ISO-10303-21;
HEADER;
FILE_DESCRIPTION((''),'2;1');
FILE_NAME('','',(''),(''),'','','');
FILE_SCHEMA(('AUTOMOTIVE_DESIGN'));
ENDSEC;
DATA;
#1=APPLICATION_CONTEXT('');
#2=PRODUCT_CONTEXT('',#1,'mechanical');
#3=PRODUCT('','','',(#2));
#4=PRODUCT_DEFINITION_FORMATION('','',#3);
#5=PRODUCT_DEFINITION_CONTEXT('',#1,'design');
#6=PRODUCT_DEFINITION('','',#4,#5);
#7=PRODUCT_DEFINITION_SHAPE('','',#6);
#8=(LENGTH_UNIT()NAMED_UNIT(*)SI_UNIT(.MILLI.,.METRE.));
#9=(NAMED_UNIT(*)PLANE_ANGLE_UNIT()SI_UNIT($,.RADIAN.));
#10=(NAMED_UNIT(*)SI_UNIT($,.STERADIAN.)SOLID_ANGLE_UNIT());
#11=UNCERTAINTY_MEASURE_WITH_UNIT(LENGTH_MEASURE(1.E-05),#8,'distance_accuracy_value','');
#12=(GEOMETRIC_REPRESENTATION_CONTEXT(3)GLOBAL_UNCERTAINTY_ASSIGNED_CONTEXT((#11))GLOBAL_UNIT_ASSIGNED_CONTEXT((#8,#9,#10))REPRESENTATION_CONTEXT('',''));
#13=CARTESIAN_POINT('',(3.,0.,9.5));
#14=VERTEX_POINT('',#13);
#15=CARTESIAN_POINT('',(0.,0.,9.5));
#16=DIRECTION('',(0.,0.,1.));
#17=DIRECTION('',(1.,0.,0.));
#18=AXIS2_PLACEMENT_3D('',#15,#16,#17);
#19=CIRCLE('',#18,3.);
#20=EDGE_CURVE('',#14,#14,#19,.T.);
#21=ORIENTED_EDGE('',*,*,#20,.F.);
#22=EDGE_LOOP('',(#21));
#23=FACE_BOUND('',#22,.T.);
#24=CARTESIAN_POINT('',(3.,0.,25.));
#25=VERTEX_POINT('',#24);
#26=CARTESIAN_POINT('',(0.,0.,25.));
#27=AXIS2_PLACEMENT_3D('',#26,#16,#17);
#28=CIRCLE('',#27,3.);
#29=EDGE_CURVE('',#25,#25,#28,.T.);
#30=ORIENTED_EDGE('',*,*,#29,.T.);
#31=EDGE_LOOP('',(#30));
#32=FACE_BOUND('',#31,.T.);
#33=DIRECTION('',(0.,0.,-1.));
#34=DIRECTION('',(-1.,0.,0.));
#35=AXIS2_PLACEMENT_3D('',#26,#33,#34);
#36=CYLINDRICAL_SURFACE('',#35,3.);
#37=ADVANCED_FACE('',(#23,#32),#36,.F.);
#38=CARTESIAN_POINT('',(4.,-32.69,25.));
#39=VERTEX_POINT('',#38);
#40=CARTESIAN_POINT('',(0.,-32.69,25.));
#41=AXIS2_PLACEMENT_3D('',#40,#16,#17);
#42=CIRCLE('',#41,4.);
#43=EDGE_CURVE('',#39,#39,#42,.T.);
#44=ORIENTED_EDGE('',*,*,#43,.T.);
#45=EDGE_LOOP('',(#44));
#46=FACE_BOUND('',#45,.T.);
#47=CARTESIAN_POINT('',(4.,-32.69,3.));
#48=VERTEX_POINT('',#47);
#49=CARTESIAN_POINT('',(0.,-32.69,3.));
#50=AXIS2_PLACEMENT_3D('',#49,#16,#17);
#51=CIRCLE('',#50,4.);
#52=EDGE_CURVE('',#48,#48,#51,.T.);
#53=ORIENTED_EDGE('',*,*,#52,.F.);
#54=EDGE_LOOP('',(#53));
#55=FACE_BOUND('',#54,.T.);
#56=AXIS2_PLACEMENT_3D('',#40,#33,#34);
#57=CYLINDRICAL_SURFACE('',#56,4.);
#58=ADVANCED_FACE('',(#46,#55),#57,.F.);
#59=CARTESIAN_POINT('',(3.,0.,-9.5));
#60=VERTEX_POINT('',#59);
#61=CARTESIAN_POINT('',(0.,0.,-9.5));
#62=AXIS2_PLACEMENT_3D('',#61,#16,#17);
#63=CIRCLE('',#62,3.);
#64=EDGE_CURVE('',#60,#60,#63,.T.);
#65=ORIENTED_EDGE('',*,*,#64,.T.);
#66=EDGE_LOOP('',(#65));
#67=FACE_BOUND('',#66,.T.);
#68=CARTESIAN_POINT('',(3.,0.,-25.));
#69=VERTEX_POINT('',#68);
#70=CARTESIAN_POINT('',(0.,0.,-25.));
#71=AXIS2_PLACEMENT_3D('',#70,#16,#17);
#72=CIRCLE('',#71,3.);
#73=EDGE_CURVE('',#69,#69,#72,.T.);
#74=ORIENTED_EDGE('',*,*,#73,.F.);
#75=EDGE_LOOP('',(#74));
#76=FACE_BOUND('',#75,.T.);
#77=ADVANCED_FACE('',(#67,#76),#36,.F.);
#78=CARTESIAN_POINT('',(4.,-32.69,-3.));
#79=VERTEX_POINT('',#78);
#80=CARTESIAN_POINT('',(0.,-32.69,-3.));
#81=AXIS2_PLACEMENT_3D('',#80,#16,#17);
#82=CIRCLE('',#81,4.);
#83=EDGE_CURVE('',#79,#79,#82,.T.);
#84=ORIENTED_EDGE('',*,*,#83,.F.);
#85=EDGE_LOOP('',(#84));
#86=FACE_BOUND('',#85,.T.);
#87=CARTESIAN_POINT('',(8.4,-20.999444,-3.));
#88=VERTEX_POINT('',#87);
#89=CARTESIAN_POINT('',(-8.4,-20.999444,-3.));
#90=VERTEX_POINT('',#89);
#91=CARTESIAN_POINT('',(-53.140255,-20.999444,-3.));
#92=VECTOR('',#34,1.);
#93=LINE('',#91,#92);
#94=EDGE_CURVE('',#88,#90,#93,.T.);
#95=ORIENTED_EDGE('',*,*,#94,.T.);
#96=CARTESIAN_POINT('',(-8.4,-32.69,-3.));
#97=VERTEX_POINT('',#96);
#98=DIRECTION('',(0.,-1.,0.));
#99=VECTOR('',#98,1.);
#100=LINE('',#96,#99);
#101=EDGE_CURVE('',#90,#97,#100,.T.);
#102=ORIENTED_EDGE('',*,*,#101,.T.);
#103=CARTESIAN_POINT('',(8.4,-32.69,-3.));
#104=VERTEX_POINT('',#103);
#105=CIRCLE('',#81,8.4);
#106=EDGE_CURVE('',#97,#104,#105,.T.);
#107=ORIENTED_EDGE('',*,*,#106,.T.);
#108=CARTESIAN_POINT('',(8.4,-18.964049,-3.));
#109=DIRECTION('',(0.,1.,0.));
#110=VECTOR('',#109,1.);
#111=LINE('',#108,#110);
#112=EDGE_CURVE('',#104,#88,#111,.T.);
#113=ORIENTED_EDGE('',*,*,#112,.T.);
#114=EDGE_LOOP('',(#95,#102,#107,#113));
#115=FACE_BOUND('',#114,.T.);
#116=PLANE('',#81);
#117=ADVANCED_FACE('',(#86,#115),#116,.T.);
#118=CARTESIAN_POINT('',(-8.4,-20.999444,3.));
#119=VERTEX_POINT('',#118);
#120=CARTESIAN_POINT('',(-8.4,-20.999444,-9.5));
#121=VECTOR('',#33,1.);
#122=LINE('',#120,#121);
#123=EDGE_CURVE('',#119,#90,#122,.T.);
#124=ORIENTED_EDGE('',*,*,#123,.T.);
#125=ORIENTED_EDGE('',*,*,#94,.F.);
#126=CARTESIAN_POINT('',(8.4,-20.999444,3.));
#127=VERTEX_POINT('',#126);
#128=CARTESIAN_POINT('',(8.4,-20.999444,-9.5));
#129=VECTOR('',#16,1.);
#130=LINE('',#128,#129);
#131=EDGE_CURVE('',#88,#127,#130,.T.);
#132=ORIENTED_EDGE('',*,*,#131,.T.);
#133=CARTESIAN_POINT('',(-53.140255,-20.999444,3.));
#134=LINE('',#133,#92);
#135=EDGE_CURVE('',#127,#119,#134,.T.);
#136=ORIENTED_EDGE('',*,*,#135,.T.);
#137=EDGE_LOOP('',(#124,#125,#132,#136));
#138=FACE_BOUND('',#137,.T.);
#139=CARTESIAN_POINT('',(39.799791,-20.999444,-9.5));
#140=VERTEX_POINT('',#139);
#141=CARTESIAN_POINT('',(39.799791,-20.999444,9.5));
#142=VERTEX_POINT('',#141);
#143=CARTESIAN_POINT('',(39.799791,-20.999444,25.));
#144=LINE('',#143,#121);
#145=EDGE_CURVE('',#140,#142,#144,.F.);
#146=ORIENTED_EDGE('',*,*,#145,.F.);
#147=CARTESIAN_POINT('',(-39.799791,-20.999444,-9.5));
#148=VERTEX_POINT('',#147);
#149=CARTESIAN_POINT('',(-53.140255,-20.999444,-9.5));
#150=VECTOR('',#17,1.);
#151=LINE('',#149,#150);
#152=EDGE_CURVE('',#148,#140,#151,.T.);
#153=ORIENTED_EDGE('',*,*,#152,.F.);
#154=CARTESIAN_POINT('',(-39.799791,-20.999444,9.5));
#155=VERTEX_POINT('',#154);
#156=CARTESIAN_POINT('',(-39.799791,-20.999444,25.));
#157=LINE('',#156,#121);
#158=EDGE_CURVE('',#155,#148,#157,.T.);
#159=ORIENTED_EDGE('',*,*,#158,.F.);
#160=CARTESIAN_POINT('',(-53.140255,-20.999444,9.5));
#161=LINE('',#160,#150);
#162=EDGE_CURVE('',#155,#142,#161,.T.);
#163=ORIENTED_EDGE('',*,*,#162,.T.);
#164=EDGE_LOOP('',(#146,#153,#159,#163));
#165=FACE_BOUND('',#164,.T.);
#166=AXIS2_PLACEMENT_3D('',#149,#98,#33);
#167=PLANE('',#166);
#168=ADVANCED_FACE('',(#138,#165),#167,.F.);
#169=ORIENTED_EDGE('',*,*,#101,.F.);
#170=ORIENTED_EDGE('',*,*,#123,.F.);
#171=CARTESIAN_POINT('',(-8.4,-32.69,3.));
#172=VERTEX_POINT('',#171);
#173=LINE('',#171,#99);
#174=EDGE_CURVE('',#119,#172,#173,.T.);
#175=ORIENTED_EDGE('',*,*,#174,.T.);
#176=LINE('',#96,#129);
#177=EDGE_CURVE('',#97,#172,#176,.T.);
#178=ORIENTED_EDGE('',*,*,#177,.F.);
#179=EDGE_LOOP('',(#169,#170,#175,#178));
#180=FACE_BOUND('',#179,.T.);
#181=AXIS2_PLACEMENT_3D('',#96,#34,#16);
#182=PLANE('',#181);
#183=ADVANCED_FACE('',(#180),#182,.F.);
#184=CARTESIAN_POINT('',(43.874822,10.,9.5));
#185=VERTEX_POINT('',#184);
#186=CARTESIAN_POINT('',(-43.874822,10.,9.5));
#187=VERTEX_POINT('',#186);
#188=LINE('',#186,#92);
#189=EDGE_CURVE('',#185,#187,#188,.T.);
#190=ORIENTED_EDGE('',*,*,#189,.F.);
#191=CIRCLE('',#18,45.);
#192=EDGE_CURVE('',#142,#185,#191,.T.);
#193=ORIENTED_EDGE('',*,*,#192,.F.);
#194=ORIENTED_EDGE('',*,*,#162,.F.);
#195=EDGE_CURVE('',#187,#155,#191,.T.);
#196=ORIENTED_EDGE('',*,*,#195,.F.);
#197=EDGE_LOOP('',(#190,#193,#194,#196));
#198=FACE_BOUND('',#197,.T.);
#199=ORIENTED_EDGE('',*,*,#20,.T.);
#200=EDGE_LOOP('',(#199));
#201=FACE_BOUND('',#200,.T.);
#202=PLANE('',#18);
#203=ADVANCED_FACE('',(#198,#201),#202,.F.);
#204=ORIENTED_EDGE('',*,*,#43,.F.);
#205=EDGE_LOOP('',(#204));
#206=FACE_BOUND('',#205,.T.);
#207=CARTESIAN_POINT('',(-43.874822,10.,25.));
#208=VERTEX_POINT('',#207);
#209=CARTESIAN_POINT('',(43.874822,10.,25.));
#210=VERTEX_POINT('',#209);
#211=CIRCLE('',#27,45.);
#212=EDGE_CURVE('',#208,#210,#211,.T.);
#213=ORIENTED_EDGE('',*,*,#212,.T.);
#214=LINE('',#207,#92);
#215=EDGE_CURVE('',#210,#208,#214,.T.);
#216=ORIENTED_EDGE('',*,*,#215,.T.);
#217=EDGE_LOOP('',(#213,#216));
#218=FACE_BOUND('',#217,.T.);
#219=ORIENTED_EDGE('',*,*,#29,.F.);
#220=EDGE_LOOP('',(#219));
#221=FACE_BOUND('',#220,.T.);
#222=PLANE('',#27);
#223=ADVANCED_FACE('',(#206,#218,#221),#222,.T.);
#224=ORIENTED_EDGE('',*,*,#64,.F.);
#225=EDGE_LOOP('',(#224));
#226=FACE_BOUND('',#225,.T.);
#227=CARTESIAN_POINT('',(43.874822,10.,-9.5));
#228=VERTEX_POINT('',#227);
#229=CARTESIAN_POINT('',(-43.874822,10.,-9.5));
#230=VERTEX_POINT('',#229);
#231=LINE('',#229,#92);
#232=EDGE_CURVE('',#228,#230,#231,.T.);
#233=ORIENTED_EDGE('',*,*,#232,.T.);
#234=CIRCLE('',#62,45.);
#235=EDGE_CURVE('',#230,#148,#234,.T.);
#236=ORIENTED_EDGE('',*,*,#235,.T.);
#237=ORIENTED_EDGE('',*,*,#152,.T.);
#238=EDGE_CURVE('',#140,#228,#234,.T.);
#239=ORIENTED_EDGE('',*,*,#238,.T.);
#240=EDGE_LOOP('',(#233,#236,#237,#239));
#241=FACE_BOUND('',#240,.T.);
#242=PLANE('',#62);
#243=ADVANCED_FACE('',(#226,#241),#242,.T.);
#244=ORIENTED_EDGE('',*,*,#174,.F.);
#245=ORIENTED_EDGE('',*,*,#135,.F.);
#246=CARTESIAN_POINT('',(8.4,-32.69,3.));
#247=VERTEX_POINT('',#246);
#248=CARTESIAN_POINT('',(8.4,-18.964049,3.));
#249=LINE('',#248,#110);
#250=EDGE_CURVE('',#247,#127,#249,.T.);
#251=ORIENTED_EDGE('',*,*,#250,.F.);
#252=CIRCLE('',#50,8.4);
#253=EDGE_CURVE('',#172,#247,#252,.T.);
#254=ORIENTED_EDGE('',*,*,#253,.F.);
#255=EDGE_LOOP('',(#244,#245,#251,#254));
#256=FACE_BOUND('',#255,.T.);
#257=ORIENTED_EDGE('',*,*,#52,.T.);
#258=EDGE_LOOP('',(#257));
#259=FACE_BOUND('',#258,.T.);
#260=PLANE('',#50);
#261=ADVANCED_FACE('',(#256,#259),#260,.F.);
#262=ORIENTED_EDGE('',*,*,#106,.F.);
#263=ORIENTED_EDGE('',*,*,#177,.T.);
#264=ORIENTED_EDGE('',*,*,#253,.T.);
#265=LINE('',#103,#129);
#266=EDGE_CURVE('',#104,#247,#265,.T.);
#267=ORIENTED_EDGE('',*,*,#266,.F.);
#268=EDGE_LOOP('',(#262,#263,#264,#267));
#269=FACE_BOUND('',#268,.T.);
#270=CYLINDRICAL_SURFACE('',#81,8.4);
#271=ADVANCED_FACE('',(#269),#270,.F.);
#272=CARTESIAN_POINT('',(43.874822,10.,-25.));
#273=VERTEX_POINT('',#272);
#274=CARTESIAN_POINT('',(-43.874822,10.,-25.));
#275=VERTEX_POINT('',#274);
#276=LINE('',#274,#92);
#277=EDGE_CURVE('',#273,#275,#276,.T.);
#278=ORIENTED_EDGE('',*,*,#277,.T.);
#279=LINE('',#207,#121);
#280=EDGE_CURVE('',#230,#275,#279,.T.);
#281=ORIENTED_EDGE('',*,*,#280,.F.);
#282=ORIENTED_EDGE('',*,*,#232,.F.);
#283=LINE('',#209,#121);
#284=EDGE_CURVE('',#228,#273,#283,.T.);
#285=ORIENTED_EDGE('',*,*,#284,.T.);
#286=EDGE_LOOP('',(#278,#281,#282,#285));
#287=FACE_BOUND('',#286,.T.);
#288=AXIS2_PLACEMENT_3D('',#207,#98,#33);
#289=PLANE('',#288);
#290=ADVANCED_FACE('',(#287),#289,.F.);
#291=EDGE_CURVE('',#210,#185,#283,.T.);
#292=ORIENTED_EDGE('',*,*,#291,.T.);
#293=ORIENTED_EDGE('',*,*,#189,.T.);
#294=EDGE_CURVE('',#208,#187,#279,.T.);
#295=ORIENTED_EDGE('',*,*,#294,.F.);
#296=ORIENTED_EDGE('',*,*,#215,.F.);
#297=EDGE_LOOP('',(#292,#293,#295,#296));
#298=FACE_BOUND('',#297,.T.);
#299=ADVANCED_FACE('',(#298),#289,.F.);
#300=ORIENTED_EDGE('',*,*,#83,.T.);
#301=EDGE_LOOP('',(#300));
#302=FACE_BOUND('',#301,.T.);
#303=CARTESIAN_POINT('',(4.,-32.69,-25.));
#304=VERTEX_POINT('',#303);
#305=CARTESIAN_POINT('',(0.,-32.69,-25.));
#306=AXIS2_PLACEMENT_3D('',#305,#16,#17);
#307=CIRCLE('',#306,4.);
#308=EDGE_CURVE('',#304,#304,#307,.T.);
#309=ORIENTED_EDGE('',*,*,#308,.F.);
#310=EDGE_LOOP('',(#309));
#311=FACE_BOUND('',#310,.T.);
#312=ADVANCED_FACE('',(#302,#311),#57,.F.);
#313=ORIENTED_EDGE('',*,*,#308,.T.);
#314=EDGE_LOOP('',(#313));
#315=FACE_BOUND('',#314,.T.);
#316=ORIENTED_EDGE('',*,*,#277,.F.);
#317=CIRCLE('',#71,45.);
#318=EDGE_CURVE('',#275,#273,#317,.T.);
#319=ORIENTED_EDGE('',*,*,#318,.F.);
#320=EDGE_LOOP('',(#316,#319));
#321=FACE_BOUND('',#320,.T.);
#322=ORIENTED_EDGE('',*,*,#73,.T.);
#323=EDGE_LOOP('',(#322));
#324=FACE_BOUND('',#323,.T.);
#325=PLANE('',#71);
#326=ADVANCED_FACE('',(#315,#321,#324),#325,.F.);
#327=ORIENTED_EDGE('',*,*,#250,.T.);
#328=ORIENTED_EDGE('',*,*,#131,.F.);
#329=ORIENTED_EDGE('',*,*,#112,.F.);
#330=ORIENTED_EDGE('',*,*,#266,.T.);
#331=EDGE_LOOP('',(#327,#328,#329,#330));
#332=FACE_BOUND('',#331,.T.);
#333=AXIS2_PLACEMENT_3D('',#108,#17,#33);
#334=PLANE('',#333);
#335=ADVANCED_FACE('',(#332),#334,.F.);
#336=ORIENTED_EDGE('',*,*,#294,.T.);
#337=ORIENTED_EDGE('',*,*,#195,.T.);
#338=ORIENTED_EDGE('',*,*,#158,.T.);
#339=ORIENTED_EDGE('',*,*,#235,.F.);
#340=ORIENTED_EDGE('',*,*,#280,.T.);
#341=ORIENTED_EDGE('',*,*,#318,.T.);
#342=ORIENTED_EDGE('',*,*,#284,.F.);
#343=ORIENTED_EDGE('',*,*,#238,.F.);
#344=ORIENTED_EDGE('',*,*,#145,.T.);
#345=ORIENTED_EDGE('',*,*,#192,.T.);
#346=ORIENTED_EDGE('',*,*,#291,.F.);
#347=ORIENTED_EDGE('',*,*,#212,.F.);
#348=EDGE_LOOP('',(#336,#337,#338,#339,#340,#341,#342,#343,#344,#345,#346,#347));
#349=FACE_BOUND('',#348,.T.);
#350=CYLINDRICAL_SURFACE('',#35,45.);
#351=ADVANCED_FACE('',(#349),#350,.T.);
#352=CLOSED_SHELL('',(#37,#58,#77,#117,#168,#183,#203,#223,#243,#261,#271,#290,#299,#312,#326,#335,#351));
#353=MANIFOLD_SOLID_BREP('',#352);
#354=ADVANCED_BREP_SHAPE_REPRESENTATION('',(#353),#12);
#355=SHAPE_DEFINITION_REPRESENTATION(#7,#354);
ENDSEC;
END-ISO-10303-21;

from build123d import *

# Parameters (mm, degrees)
SKETCH_1_R          = 4
SKETCH_1_R_2        = 3
EXTRUDE_1_DEPTH     = 25
SKETCH_2_W          = 106.280509252
SKETCH_2_H          = 41.998888678
CUT_EXTRUDE_1_DEPTH = 9.5
CUT_EXTRUDE_2_DEPTH = 3


with BuildPart() as part:
    # 草图1 → 凸台-拉伸1 (new, symmetric)
    with BuildSketch(Plane.XY):
        with BuildLine():
            Line((-43.874821937, 10), (43.874821937, 10))
            ThreePointArc((43.874821937, 10), (0, -45), (-43.874821937, 10))
        make_face()
        with Locations((0, -32.69)):
            Circle(SKETCH_1_R, mode=Mode.SUBTRACT)
        Circle(SKETCH_1_R_2, mode=Mode.SUBTRACT)
    extrude(amount=EXTRUDE_1_DEPTH, both=True)

    # 草图2 → 切除-拉伸1 (cut, symmetric)
    with BuildSketch(Plane.XY):
        Rectangle(SKETCH_2_W, SKETCH_2_H)
    extrude(amount=CUT_EXTRUDE_1_DEPTH, both=True, mode=Mode.SUBTRACT)

    # 草图3 → 切除-拉伸2 (cut, symmetric)
    with BuildSketch(Plane.XY):
        with BuildLine():
            Line((-8.4, -32.69), (-8.4, -18.964049075))
            Line((-8.4, -18.964049075), (8.4, -18.964049075))
            Line((8.4, -18.964049075), (8.4, -32.69))
            ThreePointArc((8.4, -32.69), (0, -41.09), (-8.4, -32.69))
        make_face()
    extrude(amount=CUT_EXTRUDE_2_DEPTH, both=True, mode=Mode.SUBTRACT)


solid = part.part
